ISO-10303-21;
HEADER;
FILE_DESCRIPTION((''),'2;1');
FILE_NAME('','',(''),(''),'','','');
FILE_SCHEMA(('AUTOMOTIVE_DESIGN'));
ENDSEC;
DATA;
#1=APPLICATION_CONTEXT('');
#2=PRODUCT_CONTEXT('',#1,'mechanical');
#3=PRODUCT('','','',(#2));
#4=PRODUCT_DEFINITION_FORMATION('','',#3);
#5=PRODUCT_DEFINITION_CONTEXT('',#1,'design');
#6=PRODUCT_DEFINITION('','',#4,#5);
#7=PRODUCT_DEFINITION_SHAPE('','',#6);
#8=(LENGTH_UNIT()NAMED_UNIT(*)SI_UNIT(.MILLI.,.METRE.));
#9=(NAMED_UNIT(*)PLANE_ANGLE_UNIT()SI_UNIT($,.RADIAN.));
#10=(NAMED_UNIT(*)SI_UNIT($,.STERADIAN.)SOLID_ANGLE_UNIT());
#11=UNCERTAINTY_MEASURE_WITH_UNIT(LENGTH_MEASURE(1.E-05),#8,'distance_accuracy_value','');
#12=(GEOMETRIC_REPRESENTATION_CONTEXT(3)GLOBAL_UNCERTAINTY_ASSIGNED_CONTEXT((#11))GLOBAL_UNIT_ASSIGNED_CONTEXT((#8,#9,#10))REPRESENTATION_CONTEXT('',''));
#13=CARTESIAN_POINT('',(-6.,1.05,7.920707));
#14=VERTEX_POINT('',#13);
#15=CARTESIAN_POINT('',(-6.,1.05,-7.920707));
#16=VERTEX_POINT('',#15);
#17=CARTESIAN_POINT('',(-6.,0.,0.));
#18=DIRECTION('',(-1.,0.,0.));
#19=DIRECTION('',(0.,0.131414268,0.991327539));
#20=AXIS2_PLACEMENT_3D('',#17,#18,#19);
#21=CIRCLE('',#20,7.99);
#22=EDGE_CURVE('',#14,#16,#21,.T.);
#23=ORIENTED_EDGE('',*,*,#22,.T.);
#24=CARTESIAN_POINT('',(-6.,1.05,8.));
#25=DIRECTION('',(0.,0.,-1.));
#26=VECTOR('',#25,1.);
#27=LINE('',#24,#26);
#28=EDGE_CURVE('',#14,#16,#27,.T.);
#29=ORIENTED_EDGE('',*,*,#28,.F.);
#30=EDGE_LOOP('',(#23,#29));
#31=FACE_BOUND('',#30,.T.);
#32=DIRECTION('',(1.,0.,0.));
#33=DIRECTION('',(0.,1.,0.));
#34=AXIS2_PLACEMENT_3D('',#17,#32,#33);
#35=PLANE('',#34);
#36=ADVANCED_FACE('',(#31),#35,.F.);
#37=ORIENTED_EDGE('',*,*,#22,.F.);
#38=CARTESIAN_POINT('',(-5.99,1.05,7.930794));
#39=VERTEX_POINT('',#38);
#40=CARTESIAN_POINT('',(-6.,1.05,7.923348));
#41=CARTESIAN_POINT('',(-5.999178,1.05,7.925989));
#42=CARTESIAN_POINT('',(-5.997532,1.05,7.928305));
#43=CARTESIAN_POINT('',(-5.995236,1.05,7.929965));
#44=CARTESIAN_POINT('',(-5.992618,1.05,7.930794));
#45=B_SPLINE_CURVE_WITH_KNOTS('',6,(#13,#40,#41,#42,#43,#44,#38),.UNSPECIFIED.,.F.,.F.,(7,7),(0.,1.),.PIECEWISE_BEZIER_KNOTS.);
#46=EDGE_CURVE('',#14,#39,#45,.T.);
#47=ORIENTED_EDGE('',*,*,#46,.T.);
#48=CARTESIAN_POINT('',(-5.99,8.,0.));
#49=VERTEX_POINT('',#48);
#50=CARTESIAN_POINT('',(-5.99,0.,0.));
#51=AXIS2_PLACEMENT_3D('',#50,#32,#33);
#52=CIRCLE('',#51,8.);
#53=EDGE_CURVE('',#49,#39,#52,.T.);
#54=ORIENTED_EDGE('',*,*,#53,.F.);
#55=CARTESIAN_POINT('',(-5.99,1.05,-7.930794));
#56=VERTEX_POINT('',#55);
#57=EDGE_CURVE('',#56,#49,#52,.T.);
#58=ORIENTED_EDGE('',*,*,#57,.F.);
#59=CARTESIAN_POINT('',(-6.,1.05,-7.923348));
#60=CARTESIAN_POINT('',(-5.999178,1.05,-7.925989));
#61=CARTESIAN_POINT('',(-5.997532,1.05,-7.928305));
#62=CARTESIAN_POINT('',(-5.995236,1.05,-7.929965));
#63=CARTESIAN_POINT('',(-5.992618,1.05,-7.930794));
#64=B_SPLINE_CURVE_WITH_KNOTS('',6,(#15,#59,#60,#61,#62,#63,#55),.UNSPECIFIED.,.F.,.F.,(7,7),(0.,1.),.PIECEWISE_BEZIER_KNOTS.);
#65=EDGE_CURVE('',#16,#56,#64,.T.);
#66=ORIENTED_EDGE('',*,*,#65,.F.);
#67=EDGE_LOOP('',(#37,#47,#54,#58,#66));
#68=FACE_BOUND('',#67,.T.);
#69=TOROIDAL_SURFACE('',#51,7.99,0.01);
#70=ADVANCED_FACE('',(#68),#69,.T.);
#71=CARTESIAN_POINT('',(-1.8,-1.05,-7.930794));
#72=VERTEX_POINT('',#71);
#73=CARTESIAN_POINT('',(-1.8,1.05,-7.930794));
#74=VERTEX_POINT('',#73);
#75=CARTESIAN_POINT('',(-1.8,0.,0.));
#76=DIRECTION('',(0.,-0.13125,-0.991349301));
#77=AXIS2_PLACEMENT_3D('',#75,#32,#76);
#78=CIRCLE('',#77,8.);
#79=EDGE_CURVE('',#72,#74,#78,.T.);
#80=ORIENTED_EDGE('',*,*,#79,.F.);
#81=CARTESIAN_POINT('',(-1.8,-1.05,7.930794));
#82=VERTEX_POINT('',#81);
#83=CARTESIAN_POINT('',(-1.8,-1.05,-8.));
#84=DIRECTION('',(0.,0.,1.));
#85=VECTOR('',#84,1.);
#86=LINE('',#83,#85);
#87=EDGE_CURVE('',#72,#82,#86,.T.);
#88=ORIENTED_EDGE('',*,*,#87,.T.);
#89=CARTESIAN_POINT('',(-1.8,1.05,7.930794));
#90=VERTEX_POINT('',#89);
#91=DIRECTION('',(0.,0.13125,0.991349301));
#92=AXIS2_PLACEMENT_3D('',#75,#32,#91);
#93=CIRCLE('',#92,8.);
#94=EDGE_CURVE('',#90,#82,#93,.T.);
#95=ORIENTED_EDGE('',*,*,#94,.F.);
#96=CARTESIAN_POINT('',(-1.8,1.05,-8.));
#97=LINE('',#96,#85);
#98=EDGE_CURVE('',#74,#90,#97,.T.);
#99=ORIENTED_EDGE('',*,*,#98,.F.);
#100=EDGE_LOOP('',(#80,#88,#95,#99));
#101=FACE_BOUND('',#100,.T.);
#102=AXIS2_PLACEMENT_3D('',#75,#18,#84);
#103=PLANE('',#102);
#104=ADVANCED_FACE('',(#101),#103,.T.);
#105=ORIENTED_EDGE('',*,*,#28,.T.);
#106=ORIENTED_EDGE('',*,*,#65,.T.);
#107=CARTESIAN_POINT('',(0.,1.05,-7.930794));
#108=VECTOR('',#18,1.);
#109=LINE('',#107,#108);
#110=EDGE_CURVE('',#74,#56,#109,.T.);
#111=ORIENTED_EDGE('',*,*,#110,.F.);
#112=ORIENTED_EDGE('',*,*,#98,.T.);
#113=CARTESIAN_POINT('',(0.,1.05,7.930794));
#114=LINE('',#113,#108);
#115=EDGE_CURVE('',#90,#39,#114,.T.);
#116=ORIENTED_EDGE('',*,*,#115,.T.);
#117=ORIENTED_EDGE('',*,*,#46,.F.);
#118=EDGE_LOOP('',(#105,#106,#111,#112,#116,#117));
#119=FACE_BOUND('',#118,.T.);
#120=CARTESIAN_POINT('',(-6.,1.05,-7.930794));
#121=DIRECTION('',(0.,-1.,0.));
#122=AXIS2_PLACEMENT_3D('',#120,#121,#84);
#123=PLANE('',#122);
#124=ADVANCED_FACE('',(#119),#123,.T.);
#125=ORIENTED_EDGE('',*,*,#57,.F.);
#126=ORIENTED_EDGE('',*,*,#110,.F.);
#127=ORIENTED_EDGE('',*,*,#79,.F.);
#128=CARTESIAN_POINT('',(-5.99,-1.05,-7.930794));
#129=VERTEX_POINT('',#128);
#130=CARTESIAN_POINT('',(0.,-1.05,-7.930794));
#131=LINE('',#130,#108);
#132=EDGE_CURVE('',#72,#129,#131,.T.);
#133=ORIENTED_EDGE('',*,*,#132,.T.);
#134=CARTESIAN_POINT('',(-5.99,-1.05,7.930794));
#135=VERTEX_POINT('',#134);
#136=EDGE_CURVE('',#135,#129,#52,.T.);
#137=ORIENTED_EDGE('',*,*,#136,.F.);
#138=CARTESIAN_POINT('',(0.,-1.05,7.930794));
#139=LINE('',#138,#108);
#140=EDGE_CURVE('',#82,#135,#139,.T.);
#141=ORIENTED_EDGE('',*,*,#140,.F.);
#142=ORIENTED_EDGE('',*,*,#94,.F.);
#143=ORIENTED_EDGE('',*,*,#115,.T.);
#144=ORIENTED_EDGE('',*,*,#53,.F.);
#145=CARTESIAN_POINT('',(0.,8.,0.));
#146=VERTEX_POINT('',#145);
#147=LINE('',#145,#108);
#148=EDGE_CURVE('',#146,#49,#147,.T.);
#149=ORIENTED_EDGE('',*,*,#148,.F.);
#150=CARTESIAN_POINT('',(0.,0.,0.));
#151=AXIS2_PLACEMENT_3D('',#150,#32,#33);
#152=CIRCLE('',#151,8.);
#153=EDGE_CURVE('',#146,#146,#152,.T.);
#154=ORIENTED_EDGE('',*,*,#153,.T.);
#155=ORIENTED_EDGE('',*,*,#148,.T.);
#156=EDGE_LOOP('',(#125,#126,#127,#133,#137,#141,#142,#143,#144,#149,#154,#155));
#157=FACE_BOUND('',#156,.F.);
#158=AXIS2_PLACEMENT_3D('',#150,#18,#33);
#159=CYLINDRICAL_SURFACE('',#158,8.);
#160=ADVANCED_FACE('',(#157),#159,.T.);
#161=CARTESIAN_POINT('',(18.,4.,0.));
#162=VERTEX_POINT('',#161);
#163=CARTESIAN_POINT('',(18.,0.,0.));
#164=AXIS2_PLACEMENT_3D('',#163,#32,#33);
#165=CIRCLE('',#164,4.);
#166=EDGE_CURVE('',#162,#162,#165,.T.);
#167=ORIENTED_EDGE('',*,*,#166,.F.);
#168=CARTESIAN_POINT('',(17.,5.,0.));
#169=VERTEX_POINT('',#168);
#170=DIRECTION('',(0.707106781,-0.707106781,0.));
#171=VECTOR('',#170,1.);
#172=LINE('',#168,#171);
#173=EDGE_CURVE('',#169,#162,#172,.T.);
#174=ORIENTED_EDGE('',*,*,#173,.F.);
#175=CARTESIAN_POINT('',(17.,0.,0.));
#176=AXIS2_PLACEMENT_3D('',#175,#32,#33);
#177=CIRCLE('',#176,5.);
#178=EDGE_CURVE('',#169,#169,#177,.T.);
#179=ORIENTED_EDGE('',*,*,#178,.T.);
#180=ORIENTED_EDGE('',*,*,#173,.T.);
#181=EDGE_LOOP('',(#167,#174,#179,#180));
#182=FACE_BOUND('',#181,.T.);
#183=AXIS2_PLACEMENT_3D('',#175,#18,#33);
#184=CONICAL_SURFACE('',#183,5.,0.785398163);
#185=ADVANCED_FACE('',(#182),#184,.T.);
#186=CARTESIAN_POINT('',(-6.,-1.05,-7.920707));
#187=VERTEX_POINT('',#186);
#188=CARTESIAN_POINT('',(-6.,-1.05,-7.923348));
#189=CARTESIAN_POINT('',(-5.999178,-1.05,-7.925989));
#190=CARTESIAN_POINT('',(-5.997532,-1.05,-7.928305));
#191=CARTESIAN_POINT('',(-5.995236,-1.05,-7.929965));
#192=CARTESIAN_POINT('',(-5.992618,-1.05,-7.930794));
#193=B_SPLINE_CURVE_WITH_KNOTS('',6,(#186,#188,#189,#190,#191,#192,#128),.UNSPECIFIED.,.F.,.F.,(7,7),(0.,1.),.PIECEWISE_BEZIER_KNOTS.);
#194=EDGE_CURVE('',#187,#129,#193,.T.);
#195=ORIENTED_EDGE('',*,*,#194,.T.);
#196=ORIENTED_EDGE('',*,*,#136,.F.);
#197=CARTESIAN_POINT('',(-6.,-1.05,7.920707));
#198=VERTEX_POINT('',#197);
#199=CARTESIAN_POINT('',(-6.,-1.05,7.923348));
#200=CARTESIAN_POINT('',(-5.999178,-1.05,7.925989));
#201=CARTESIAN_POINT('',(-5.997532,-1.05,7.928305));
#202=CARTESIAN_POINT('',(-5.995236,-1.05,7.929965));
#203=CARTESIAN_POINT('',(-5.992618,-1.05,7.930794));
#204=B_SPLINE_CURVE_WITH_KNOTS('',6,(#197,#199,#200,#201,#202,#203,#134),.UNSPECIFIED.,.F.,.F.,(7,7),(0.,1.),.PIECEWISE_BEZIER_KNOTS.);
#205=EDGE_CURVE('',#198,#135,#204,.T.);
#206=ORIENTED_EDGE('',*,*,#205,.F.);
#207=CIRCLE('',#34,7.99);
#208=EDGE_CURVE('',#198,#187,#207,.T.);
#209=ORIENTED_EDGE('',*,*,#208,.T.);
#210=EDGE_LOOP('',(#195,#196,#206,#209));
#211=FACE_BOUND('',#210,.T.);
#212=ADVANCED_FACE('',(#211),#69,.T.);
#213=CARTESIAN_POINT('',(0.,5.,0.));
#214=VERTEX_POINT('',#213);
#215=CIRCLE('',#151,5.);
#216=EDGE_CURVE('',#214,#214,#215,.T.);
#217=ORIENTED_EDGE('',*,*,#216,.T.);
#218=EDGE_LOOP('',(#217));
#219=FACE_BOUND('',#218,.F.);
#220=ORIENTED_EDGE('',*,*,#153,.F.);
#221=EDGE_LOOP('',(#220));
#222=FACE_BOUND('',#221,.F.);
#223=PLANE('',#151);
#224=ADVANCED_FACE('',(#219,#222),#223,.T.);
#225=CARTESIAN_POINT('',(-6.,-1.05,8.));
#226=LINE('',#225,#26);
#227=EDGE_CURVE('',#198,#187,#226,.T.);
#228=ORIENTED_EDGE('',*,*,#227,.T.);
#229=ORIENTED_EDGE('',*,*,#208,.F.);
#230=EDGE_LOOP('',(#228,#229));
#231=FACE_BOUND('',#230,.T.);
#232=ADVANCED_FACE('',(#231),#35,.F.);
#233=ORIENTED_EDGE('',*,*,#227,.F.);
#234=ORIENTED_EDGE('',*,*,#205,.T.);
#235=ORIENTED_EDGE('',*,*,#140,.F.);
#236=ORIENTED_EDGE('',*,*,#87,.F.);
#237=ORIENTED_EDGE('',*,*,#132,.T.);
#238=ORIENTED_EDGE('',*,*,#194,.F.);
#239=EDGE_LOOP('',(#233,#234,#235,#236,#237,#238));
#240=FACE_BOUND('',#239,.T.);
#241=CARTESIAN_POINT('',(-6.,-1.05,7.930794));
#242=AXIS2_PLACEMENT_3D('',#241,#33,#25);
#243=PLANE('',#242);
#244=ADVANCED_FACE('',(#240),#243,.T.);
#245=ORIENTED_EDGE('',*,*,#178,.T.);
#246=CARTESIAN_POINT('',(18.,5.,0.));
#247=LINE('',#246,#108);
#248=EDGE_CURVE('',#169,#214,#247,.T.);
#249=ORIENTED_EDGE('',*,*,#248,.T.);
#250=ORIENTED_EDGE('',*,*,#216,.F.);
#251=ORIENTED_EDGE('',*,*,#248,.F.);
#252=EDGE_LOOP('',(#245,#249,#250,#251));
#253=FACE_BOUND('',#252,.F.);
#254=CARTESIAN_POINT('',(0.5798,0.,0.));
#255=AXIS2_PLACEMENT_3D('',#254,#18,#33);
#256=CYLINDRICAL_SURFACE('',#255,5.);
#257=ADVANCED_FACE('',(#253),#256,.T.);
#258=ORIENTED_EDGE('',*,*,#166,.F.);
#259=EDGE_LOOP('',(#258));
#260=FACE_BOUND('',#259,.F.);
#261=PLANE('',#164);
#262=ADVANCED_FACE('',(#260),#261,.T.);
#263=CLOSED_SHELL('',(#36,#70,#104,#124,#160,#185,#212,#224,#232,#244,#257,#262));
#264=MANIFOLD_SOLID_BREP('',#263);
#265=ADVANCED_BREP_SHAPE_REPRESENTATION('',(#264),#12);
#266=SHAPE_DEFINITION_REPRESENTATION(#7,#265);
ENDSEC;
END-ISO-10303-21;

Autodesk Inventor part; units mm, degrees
ref_plane "YZ Plane" through (0, 0, 0) normal (1, 0, 0) x (0, 1, 0)
ref_plane "XZ Plane" through (0, 0, 0) normal (0, 1, 0) x (-1, 0, 0)
sketch "Эскиз1" plane through (0, 0, 0) normal (0, 0, 1) x (1, 0, 0)
  line L0 (-6, 0) -> (18, 0)
  line L1 (18, 0) -> (18, 5)
  line L2 (18, 5) -> (1.5, 5)
  line L3 (1.5, 5) -> (0.5798, 5)
  line L4 (0.5798, 5) -> (0, 5)
  line L5 (0, 5) -> (0, 8)
  line L6 (-10.8, 0) -> (22.8, 0) projected
  line L7 (0, -1.6) -> (0, 9.6) projected
  line L8 (-6, 0) -> (-6, 8)
  line L9 (0, 8) -> (-6, 8)
  dimension "d0" = 18
  dimension "d1" = 16.5
  dimension "d2" = 0.9202
  dimension "d3" = 6
  dimension "d4" = 10
  dimension "d5" = 10
  dimension "d9" = 16
  dimension "d10" = 0
revolve "Базовый элемент" add sketch "Эскиз1" angle 360 about axis through (-6, 0, 0) along (1, 0, 0)
sketch "Эскиз2" plane through (-6, 0, 0) normal (-1, 0, 0) x (0, 0, 1)
  circle A0 centre (0, 0) radius 8 projected
  line L0 (0, 0) -> (0, 8) projected
  line L1 (-8, 1.05) -> (8, 1.05)
  line L2 (8, 1.05) -> (8, -1.05)
  line L3 (8, -1.05) -> (-8, -1.05)
  line L4 (-8, -1.05) -> (-8, 1.05)
  line L5 (-8, 0) -> (8, 0) construction
  line L6 (0, 1.05) -> (0, -1.05) construction
  dimension "d11" = 2.1
  dimension "d12" = 16
fillet "Сопряжение1" radius 0.01 1 edges at (-6, -8, 0)
extrude "Паз" cut sketch "Эскиз2" against normal blind 4.2 contours A0 L3 L1 | L2 L3 A0 | A0 L1 L2 | L3 L4 A0 | A0 L4 L1
thread "Резьба" size "M10x1.5" class "6g" standard "ISO Metric profile" length 16.5
chamfer "Chamfer4" distance 1 angle 45 1 edges at (18, -5, 0)
ref_plane "Work Plane1" through (30.1625, 0, 0) normal (0, 0, -1) x (1, 0, 0)
equation "\"d11\" = SBR"
equation "\"d12\" = KOD"
equation "\"d13\" = RR"
equation "\"d16\" = STI"
equation "\"d14\" = GEL"
equation "\"d40\" = 0.1 * GD"
equation "\"d0\" = NLG"
equation "\"d1\" = GEL"
equation "\"d2\" = GAL"
equation "\"d3\" = KOH"
equation "\"d4\" = GD"
equation "\"d5\" = BDM"
equation "\"d9\" = KOD"
equation "\"GD\" = NND"
equation "\"NLG\" = 18"
equation "\"GEL\" = 16.5"
equation "\"KOD\" = 16"
equation "\"KOH\" = 6"
equation "\"GAL\" = 0.61345 * PTC"
equation "\"BDM\" = NND"
equation "\"RR\" = 0.01"
equation "\"SBR\" = 2.1"
equation "\"STI\" = 4.2"
equation "\"KEWI\" = 0"
equation "\"GUL\" = 0.61345 * PTC"
equation "\"SPD\" = NND - 1.2269 * PTC"
equation "\"PTC\" = 1.5"
equation "\"TOA\" = 30deg"
equation "\"FAWI\" = 45deg"
equation "\"GD1\" = THREADDIA - 1.2269 * PTC"
equation "\"NND\" = 10"
equation "\"THREADDIA\" = 10"
properties part number "Винт M10-6gx18 ГОСТ 1491-80" material "Сталь, мягкая"
